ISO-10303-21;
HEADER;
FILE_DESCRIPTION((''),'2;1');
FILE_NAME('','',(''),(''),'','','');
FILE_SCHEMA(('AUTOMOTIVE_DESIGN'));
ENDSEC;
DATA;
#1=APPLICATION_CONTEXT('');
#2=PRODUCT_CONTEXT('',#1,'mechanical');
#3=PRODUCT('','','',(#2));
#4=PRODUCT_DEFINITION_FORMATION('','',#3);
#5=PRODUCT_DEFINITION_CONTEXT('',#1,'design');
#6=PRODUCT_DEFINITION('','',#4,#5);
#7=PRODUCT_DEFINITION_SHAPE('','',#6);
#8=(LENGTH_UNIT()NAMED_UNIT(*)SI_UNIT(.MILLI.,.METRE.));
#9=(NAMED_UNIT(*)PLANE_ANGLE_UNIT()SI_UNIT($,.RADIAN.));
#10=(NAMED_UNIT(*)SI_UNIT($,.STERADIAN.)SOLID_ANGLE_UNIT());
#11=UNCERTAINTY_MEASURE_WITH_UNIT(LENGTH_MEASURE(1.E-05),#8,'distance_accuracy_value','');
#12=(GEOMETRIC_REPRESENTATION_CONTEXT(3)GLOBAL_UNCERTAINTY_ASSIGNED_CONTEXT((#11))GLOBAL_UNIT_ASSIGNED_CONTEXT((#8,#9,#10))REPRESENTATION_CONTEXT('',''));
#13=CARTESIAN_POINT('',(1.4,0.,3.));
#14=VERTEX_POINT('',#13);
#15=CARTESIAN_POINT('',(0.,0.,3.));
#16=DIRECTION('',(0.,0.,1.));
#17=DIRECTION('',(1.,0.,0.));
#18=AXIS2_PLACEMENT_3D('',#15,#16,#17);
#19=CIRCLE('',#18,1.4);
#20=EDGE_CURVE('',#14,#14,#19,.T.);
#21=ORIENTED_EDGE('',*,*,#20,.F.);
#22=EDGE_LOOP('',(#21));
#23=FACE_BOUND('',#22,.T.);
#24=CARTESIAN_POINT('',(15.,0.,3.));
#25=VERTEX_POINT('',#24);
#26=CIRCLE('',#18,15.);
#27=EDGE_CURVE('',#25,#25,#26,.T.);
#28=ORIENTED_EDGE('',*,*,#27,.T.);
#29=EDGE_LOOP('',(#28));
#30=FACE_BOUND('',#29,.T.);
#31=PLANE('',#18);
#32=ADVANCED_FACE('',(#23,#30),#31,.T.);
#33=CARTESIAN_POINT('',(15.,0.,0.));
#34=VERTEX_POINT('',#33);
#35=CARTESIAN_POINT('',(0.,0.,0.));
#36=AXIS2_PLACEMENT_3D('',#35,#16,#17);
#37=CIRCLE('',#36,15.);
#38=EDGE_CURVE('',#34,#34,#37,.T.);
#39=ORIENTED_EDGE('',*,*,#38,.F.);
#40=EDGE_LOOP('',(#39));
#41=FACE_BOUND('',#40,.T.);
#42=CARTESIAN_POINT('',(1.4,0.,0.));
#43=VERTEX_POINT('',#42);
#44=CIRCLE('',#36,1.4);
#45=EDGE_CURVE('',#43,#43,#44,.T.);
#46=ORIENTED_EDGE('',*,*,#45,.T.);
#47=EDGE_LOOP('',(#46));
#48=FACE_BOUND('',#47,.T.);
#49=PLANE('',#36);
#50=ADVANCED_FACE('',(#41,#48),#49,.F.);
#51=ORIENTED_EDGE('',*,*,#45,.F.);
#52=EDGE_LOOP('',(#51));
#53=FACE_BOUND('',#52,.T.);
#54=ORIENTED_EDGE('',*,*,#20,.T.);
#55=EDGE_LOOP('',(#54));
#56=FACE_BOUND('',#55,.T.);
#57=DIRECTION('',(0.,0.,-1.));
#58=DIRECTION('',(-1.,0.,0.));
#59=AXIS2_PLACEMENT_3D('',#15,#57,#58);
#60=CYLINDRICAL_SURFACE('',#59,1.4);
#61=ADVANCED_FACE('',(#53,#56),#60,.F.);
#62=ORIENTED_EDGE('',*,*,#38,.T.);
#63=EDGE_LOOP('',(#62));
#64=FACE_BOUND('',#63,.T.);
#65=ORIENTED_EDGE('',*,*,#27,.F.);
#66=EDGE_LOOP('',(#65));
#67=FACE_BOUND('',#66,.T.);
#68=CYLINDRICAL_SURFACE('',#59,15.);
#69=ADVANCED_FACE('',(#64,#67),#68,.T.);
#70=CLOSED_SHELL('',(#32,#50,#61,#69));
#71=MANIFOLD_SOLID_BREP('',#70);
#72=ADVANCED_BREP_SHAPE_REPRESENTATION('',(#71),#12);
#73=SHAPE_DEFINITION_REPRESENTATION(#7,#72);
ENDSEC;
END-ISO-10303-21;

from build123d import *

# Parameters (mm, degrees)
ESQUISSE1_R        = 15
ESQUISSE1_R_2      = 1.4
BOSS_EXTRU_1_DEPTH = 3


with BuildPart() as part:
    # Esquisse1 → Boss.-Extru.1 (new body)
    with BuildSketch(Plane.XY):
        Circle(ESQUISSE1_R)
        Circle(ESQUISSE1_R_2, mode=Mode.SUBTRACT)
    extrude(amount=BOSS_EXTRU_1_DEPTH)


solid = part.part
